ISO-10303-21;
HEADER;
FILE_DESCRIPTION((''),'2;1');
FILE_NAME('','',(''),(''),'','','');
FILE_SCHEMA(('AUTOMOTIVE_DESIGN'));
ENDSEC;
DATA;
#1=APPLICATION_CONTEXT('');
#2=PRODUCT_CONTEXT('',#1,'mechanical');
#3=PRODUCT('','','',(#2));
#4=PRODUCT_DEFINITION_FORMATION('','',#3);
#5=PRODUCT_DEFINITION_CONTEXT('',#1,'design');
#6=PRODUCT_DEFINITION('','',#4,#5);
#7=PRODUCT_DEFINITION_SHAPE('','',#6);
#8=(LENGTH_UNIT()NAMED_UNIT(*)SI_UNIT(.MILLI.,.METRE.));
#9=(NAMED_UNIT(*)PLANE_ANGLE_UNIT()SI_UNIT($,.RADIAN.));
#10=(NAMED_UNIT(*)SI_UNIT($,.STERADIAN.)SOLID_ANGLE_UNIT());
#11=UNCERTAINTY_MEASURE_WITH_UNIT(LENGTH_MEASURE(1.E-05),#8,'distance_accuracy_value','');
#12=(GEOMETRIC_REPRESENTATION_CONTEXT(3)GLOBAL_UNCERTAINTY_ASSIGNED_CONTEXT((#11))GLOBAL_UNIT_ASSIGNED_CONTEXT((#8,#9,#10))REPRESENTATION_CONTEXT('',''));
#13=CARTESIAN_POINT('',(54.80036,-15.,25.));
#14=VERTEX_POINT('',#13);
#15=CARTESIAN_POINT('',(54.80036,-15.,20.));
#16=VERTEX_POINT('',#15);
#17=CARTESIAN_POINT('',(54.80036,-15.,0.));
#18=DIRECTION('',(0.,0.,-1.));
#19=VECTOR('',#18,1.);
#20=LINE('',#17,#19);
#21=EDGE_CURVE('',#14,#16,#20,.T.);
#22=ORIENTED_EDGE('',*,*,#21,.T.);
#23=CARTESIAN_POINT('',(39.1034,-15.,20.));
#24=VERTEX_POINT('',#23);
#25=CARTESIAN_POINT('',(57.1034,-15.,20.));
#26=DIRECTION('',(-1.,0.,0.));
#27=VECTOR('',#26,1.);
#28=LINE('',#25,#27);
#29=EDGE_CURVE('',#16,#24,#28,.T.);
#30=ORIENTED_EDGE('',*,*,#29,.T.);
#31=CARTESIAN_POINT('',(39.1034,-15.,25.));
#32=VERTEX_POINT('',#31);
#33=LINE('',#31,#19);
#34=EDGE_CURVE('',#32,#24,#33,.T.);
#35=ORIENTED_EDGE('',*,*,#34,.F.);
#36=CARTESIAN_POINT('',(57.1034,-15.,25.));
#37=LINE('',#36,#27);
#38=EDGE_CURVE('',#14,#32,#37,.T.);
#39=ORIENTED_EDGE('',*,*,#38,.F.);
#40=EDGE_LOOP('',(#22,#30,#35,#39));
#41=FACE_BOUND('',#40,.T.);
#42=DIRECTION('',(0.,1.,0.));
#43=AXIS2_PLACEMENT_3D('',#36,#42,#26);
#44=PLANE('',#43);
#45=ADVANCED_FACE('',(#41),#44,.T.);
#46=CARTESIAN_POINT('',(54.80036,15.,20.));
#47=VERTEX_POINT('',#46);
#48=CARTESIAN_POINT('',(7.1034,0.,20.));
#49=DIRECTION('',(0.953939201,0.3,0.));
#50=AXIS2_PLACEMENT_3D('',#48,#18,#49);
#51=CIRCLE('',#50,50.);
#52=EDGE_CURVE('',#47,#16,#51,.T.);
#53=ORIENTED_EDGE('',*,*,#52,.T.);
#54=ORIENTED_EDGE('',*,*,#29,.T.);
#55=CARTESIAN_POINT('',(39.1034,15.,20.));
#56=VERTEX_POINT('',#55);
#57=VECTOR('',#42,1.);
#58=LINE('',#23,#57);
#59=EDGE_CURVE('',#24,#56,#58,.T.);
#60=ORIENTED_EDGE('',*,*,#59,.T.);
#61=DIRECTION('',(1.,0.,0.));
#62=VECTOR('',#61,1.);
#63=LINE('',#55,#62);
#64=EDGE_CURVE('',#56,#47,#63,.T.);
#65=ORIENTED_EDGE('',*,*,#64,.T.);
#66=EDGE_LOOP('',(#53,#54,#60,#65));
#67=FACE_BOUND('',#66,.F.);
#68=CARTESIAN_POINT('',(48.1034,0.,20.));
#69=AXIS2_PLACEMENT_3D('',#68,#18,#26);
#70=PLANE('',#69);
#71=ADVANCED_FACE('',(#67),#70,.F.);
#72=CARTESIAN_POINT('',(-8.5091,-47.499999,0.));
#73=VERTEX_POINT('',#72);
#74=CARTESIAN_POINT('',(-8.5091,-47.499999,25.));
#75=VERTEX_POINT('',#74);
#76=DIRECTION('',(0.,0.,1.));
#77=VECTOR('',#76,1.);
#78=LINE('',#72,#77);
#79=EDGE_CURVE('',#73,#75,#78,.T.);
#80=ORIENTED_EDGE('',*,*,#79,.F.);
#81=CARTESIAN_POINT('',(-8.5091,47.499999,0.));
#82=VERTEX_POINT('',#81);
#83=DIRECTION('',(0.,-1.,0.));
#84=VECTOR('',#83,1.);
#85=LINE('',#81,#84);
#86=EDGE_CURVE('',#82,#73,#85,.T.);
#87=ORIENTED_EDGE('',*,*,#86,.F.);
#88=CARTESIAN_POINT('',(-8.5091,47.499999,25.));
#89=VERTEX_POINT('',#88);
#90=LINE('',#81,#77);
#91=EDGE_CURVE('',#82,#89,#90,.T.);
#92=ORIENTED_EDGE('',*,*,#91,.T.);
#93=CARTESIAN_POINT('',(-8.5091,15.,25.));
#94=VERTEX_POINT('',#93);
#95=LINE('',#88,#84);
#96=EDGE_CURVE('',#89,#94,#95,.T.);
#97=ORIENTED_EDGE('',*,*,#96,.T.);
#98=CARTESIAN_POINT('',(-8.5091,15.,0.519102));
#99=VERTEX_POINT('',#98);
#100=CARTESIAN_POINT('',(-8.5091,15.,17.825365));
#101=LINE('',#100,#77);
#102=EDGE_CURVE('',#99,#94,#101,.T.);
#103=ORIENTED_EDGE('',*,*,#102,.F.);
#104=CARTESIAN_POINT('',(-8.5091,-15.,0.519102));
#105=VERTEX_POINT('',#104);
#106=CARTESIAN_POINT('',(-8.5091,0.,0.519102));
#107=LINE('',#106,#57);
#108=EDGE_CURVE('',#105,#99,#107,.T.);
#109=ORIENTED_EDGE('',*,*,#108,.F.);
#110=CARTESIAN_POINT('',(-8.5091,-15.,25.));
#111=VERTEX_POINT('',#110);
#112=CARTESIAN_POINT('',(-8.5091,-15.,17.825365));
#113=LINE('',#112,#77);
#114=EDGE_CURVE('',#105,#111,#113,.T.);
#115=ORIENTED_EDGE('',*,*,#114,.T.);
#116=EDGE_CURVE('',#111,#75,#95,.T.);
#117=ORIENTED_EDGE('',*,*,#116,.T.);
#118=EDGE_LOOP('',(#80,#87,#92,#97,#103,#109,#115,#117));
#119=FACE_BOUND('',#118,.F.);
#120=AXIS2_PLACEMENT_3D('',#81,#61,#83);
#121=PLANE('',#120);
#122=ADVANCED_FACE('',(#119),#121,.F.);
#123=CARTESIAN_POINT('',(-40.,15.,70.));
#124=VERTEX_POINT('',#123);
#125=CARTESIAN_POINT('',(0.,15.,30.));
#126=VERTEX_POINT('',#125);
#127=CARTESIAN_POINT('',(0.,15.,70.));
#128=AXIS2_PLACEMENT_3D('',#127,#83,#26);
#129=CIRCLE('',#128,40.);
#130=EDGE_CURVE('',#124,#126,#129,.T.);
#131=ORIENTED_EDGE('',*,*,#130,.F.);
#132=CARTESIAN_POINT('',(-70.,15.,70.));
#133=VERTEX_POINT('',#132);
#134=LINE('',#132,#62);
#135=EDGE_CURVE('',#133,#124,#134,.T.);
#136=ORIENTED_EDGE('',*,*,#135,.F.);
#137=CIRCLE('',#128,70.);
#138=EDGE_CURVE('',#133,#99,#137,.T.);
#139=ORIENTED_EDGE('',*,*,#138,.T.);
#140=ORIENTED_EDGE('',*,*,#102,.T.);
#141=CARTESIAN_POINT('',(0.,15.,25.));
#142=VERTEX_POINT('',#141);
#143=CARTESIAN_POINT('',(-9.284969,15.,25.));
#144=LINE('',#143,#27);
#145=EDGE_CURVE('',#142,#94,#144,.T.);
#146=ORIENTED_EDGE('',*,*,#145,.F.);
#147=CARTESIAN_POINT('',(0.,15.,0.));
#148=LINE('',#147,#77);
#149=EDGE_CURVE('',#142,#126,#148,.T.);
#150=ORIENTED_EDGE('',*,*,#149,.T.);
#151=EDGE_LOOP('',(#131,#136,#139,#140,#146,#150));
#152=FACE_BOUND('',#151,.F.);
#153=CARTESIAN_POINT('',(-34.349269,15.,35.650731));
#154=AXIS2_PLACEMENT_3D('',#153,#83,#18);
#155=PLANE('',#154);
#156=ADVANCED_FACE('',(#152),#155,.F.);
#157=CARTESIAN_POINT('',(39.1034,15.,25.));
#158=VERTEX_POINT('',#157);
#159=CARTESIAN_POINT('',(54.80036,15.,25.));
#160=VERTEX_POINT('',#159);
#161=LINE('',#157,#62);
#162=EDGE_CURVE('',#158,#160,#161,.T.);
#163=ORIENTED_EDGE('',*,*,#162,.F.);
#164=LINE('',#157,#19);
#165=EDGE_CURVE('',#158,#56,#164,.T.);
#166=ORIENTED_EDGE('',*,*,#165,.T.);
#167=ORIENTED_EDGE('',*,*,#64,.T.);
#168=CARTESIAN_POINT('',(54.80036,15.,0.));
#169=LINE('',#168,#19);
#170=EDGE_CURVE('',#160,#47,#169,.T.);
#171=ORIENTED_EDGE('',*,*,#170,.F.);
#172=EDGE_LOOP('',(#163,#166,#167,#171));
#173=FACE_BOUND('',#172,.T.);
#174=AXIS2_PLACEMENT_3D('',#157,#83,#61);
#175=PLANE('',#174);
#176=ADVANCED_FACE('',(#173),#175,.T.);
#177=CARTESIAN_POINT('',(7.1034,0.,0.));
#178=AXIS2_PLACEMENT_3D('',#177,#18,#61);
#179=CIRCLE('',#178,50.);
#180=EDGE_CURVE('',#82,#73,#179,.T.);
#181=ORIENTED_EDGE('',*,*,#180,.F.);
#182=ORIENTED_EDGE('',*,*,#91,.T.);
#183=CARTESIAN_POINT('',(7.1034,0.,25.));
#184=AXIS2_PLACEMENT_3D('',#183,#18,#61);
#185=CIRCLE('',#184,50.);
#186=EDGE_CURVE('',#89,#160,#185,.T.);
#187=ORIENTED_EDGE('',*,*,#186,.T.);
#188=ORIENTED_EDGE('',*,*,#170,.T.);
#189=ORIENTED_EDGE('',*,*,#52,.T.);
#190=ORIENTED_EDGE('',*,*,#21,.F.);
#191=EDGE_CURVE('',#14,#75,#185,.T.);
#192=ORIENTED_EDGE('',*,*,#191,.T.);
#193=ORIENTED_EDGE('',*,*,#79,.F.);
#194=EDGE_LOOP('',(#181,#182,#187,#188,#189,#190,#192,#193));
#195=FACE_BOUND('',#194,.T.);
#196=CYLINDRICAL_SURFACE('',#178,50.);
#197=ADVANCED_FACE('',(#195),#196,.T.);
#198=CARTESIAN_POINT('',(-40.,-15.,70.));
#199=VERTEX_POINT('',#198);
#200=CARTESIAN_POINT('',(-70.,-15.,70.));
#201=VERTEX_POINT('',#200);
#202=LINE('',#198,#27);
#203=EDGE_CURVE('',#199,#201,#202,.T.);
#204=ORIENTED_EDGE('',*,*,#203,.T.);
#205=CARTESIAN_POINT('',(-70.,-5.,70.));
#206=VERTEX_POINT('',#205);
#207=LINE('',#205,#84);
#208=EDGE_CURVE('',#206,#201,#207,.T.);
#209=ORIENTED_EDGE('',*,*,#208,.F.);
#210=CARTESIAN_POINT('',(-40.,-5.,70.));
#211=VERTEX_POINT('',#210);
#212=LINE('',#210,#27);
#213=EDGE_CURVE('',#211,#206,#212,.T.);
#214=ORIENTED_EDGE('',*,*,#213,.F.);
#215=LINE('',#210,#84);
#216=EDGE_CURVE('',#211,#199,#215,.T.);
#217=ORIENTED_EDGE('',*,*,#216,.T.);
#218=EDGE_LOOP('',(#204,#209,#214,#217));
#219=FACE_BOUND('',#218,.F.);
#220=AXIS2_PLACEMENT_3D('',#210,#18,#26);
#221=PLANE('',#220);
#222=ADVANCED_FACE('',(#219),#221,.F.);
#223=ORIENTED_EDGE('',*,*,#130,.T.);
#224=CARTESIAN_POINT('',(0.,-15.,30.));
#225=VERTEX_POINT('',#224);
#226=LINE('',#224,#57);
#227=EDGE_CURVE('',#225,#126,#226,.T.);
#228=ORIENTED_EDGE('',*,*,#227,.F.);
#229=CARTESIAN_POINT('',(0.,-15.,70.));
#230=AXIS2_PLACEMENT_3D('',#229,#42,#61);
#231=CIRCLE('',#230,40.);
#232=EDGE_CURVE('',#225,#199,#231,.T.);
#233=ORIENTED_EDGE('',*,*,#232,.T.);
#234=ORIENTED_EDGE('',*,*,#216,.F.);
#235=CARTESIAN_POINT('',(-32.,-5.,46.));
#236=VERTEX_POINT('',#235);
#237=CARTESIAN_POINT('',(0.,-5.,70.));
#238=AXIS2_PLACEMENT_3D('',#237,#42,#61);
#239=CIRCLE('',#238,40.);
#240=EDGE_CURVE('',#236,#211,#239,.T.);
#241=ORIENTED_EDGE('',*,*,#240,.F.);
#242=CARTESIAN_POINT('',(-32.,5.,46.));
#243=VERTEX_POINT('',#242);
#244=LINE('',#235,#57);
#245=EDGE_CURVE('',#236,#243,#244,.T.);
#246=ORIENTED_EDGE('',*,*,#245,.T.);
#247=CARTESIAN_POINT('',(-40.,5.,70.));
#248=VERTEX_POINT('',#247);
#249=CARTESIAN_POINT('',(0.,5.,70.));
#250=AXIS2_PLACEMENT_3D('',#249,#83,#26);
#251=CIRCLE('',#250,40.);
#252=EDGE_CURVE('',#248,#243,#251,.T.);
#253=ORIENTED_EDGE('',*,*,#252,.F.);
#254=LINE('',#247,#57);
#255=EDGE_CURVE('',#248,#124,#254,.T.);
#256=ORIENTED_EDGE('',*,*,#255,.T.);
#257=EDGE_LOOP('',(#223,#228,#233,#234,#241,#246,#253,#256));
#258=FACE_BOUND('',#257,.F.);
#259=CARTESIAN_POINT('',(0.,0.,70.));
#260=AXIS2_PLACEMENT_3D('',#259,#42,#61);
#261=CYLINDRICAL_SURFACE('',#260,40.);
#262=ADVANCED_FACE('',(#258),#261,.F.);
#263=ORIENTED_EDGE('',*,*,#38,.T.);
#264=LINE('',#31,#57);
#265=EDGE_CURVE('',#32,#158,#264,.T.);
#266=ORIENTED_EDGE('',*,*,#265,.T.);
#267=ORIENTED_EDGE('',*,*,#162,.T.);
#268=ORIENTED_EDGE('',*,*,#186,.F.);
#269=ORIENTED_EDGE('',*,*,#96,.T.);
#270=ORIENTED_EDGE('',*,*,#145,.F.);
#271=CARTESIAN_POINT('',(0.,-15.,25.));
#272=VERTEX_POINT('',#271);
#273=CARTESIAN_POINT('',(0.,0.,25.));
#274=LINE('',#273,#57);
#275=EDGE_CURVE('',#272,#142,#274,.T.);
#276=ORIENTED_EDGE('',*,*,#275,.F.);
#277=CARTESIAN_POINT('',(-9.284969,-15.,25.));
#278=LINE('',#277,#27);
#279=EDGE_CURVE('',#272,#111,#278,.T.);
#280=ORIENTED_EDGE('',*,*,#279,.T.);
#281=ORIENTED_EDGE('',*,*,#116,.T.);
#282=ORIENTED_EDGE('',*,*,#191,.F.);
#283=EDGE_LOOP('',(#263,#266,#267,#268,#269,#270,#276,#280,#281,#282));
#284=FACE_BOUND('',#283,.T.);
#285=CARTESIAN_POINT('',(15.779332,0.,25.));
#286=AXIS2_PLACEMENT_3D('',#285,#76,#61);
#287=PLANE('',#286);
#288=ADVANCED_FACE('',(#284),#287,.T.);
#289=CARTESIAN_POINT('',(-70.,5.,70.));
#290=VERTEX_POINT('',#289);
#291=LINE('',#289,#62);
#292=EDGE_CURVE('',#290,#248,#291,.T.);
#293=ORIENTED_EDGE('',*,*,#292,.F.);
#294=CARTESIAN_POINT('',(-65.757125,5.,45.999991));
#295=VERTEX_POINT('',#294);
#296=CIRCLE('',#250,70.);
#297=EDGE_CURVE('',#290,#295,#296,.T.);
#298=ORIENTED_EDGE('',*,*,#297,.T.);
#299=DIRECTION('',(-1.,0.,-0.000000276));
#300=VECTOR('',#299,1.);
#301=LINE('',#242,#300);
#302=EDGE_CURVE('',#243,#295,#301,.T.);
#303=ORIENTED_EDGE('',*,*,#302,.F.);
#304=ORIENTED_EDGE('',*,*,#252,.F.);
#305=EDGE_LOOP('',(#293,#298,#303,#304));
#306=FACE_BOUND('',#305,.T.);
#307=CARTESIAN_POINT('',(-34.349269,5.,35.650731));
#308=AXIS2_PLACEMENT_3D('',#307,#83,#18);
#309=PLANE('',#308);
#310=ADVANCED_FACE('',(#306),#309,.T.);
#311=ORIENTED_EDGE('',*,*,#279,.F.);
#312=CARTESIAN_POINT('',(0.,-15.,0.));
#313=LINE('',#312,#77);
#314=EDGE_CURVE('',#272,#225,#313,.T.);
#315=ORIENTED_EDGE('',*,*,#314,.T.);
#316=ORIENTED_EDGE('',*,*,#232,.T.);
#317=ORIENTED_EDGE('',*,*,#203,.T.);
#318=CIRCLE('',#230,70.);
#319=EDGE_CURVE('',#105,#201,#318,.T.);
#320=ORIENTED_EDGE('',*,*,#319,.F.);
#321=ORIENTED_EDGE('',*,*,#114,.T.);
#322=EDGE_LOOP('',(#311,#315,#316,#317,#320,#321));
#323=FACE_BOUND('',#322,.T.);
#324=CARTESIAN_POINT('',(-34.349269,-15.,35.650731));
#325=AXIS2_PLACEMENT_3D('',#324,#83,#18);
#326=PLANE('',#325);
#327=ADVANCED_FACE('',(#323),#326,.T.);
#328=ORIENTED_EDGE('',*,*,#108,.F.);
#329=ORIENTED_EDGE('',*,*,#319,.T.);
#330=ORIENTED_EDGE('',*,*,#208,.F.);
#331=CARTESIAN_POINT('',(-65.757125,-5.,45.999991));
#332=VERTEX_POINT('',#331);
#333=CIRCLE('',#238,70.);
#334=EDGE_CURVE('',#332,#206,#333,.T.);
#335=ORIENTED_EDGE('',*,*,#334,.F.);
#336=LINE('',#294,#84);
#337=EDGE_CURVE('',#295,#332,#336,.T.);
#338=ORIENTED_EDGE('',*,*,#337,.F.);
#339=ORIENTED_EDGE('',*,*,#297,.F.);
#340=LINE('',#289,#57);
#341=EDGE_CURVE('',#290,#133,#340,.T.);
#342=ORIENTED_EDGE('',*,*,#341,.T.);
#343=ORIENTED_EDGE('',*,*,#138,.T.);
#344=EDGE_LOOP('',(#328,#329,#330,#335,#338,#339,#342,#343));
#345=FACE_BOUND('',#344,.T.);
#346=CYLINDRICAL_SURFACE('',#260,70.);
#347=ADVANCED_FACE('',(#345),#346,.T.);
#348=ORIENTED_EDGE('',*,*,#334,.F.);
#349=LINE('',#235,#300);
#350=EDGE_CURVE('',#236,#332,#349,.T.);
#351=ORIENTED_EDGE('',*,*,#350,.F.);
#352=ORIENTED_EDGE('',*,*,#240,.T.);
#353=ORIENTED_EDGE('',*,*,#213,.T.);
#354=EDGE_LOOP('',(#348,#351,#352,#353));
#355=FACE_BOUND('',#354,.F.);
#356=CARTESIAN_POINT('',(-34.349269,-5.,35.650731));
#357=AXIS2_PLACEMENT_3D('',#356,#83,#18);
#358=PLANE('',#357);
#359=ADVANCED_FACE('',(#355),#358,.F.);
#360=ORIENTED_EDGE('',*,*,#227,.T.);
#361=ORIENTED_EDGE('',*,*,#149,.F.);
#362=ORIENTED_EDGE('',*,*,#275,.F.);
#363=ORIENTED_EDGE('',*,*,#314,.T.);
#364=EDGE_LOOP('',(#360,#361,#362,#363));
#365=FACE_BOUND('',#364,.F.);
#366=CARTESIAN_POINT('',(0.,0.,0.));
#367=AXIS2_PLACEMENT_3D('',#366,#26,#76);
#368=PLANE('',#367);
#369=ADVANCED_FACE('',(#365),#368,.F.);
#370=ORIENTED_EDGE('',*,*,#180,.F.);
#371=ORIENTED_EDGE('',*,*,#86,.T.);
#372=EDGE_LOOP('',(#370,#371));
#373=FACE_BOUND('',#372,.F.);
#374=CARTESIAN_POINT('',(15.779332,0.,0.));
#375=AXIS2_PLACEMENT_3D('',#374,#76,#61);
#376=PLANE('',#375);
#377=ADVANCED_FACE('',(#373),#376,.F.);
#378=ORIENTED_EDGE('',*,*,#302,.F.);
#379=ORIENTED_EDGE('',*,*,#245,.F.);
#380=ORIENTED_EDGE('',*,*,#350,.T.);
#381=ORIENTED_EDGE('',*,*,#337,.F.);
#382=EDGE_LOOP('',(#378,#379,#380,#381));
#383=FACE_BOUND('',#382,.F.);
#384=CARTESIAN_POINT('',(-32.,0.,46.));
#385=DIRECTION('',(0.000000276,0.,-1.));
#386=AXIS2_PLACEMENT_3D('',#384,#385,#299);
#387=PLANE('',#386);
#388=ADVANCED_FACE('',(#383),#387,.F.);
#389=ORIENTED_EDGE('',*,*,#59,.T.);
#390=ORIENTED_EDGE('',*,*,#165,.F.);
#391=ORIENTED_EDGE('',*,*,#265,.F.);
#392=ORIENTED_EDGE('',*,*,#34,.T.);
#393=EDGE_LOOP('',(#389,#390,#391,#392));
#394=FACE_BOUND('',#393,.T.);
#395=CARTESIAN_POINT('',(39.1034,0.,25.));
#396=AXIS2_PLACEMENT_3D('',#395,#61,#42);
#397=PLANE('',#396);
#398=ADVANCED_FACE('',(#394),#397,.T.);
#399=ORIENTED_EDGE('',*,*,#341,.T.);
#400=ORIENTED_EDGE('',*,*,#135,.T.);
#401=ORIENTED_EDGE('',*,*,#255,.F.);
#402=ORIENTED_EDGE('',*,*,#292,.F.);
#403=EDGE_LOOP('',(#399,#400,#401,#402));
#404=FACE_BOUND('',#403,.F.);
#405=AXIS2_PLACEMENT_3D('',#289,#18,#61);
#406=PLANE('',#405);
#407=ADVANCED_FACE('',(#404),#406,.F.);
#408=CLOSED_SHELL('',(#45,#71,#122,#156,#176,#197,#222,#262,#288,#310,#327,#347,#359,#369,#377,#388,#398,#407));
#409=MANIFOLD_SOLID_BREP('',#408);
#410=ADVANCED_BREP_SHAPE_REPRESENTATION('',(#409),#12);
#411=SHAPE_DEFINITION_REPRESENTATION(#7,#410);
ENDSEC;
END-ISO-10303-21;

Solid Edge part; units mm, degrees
sketch "Sketch1" plane through (0, 0, 0) normal (0, -1, 0) x (1, 0, 0)
  line L0 (-32, 46) -> (-65.7571, 46)
  line L1 (0, 0) -> (0, 30)
  arc A0 (0, 30) -> (-32, 46) centre (0, 70) cw
  arc A1 (0, 0) -> (-65.7571, 46) centre (0, 70) cw
extrude "Protrusion1" add sketch "Sketch1" along normal mid plane 10
sketch "Sketch2" plane through (-32.8786, -5, 23) normal (0, -1, 0) x (1, 0, 0)
  line L0 (-7.1214, 47) -> (-37.1214, 47)
  line L1 (32.8786, -23) -> (32.8786, 7)
  arc A0 (32.8786, 7) -> (-7.1214, 47) centre (32.8786, 47) cw
  arc A1 (32.8786, -23) -> (-37.1214, 47) centre (32.8786, 47) cw
extrude "ExtrudedProtrusion_2" add sketch "Sketch2" along normal blind 10
sketch "Sketch3" plane through (-32.8786, 5, 23) normal (0, 1, 0) x (-1, 0, 0)
  line L0 (-32.8786, -23) -> (-32.8786, 7)
  line L1 (37.1214, 47) -> (7.1214, 47)
  arc A0 (37.1214, 47) -> (-32.8786, -23) centre (-32.8786, 47) cw
  arc A1 (7.1214, 47) -> (-32.8786, 7) centre (-32.8786, 47) cw
extrude "ExtrudedProtrusion_3" add sketch "Sketch3" along normal blind 10
sketch "Sketch4" plane through (0, 0, 0) normal (0, 0, 1) x (1, 0, 0)
  line L0 (-8.5091, 47.5) -> (-8.5091, -47.5)
  arc A0 (-8.5091, 47.5) -> (-8.5091, -47.5) centre (7.1034, 0) cw
extrude "ExtrudedProtrusion_4" add sketch "Sketch4" along normal blind 25
sketch "Sketch5" plane through (24.2972, 0, 25) normal (0, 0, 1) x (0, 1, 0)
  line L0 (0, -14.8062) -> (15, -14.8062)
  line L1 (15, -14.8062) -> (15, -32.8062)
  line L2 (15, -32.8062) -> (-15, -32.8062)
  line L3 (-15, -32.8062) -> (-15, -14.8062)
  line L4 (-15, -14.8062) -> (0, -14.8062)
extrude "ExtrudedCutout_2" cut sketch "Sketch5" against normal blind 5
